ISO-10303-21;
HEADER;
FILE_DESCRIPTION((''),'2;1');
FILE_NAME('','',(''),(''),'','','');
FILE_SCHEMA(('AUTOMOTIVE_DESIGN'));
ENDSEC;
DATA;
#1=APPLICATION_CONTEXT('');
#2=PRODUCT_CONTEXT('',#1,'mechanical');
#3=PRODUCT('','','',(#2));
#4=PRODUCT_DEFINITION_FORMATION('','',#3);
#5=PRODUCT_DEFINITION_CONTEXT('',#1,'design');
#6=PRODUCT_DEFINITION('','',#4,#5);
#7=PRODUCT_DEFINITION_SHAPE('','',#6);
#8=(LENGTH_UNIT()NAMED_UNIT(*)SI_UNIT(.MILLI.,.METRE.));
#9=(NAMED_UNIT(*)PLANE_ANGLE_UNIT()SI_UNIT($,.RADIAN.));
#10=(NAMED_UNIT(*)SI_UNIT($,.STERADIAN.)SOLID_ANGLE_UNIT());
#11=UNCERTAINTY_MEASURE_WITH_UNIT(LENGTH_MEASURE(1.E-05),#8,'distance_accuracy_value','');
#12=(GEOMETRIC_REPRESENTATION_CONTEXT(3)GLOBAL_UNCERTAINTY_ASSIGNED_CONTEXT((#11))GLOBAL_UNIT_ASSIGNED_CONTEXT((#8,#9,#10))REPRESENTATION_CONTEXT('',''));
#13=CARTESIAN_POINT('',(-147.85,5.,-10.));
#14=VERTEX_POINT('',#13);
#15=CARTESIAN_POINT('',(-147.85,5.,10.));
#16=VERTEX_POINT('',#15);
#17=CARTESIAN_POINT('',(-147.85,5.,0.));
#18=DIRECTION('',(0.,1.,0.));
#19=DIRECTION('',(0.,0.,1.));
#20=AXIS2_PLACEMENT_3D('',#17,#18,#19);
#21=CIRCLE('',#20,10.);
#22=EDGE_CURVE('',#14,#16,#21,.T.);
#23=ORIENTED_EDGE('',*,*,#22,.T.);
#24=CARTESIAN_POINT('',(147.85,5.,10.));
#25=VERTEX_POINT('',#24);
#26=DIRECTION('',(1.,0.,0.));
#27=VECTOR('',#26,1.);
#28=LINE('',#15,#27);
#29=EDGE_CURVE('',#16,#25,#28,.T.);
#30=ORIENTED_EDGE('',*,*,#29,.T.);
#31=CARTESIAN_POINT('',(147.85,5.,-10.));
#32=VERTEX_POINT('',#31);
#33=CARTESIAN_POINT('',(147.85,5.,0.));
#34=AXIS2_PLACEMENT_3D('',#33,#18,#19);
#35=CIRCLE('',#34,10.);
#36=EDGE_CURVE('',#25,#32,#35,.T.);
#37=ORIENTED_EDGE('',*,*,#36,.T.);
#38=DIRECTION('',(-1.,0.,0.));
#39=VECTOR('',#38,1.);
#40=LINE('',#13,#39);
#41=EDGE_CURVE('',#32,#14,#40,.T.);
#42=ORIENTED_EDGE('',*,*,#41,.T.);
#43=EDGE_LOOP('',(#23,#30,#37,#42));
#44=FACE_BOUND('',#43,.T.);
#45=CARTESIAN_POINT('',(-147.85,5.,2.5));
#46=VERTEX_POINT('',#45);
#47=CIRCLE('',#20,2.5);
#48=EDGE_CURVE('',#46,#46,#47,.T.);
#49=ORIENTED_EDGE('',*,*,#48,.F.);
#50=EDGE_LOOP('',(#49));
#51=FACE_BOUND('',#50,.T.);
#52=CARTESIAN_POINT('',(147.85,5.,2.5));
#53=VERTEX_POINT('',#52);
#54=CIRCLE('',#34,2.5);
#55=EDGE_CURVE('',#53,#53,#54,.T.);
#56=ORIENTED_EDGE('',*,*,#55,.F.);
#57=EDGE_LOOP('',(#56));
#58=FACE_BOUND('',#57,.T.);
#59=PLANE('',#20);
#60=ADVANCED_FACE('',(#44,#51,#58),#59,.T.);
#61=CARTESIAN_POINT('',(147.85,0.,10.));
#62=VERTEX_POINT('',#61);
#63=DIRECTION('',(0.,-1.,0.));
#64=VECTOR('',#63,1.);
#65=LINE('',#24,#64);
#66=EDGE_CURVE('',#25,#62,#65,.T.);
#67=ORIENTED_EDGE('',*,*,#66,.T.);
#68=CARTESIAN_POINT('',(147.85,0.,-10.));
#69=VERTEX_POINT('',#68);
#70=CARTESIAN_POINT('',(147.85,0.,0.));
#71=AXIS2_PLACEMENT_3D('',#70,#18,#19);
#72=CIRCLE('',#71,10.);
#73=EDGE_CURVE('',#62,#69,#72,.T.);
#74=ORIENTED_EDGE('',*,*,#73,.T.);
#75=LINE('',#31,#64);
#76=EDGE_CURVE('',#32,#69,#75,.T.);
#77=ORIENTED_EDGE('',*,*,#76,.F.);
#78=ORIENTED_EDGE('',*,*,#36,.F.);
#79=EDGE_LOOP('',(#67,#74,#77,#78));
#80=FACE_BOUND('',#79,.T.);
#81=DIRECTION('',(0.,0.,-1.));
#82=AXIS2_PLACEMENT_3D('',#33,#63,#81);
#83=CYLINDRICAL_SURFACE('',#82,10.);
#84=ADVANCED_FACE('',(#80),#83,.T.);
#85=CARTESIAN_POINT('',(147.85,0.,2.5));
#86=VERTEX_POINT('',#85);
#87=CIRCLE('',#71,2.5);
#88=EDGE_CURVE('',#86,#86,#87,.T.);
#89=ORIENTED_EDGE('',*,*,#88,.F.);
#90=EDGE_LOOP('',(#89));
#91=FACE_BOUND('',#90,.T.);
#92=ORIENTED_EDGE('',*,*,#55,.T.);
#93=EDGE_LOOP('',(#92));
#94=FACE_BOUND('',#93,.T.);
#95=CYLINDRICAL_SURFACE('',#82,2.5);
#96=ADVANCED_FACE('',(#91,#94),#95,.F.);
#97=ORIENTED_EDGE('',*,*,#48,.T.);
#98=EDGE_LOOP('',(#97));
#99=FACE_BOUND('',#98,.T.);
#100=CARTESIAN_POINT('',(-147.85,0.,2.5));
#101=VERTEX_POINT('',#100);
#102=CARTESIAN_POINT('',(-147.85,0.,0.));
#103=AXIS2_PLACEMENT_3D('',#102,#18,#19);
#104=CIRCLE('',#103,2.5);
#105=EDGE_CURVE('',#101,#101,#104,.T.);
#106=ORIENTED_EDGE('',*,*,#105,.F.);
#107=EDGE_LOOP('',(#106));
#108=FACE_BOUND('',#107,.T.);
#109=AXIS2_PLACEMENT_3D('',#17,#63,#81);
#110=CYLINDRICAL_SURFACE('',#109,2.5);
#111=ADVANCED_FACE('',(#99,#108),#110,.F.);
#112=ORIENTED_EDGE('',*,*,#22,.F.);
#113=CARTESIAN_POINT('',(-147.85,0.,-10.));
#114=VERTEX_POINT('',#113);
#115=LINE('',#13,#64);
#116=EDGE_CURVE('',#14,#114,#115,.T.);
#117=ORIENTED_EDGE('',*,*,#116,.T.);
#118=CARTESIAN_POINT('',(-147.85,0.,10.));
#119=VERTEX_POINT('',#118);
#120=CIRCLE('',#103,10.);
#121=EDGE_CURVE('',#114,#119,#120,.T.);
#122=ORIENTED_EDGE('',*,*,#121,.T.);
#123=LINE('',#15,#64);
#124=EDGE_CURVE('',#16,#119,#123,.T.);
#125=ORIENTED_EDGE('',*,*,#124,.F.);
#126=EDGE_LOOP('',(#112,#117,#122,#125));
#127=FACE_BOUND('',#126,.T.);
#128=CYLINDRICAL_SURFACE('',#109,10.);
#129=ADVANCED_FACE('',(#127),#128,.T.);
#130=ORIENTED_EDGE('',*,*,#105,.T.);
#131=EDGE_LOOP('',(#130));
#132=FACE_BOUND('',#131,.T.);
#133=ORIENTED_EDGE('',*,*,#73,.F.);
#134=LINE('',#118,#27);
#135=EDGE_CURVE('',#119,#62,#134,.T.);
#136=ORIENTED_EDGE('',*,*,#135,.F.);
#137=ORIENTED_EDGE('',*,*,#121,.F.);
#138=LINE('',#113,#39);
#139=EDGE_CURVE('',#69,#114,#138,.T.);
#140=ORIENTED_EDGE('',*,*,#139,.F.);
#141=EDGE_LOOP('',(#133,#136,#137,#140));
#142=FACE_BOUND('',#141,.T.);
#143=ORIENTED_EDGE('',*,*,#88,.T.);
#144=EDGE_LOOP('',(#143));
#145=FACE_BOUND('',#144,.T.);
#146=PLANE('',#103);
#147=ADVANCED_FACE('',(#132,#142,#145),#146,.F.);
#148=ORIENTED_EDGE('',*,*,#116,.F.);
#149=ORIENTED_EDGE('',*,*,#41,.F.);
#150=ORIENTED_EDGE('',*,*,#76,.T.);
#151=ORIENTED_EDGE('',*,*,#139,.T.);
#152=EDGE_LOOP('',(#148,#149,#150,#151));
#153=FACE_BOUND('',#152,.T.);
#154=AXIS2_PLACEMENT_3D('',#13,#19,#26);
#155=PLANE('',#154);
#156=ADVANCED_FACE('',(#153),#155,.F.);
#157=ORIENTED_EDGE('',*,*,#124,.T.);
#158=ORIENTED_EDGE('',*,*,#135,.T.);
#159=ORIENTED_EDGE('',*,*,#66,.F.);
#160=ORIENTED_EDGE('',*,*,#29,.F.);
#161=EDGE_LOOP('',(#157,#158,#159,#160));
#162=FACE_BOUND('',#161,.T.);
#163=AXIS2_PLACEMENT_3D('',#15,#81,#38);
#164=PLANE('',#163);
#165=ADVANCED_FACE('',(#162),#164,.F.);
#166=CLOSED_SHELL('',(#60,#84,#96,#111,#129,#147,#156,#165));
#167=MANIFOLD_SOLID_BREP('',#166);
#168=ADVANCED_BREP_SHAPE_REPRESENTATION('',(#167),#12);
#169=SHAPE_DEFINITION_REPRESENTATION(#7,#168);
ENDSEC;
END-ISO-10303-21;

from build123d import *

# Parameters (mm, degrees)
SKETCH_1_R      = 2.5
EXTRUDE_1_DEPTH = 5


with BuildPart() as part:
    # 草圖1 → 填料-伸長1 (new body)
    with BuildSketch(Plane(origin=(0, 0, 0), x_dir=(1, 0, 0), z_dir=(0, 1, 0))):
        with BuildLine():
            Line((-147.85, 10), (147.85, 10))
            ThreePointArc((147.85, 10), (157.85, 0), (147.85, -10))
            Line((147.85, -10), (-147.85, -10))
            ThreePointArc((-147.85, -10), (-157.85, 0), (-147.85, 10))
        make_face()
        with Locations(Location((-147.85, 0, 0), (0, 0, 270))):
            Circle(SKETCH_1_R, mode=Mode.SUBTRACT)
        with Locations(Location((147.85, 0, 0), (0, 0, 270))):
            Circle(SKETCH_1_R, mode=Mode.SUBTRACT)
    extrude(amount=EXTRUDE_1_DEPTH)


solid = part.part
